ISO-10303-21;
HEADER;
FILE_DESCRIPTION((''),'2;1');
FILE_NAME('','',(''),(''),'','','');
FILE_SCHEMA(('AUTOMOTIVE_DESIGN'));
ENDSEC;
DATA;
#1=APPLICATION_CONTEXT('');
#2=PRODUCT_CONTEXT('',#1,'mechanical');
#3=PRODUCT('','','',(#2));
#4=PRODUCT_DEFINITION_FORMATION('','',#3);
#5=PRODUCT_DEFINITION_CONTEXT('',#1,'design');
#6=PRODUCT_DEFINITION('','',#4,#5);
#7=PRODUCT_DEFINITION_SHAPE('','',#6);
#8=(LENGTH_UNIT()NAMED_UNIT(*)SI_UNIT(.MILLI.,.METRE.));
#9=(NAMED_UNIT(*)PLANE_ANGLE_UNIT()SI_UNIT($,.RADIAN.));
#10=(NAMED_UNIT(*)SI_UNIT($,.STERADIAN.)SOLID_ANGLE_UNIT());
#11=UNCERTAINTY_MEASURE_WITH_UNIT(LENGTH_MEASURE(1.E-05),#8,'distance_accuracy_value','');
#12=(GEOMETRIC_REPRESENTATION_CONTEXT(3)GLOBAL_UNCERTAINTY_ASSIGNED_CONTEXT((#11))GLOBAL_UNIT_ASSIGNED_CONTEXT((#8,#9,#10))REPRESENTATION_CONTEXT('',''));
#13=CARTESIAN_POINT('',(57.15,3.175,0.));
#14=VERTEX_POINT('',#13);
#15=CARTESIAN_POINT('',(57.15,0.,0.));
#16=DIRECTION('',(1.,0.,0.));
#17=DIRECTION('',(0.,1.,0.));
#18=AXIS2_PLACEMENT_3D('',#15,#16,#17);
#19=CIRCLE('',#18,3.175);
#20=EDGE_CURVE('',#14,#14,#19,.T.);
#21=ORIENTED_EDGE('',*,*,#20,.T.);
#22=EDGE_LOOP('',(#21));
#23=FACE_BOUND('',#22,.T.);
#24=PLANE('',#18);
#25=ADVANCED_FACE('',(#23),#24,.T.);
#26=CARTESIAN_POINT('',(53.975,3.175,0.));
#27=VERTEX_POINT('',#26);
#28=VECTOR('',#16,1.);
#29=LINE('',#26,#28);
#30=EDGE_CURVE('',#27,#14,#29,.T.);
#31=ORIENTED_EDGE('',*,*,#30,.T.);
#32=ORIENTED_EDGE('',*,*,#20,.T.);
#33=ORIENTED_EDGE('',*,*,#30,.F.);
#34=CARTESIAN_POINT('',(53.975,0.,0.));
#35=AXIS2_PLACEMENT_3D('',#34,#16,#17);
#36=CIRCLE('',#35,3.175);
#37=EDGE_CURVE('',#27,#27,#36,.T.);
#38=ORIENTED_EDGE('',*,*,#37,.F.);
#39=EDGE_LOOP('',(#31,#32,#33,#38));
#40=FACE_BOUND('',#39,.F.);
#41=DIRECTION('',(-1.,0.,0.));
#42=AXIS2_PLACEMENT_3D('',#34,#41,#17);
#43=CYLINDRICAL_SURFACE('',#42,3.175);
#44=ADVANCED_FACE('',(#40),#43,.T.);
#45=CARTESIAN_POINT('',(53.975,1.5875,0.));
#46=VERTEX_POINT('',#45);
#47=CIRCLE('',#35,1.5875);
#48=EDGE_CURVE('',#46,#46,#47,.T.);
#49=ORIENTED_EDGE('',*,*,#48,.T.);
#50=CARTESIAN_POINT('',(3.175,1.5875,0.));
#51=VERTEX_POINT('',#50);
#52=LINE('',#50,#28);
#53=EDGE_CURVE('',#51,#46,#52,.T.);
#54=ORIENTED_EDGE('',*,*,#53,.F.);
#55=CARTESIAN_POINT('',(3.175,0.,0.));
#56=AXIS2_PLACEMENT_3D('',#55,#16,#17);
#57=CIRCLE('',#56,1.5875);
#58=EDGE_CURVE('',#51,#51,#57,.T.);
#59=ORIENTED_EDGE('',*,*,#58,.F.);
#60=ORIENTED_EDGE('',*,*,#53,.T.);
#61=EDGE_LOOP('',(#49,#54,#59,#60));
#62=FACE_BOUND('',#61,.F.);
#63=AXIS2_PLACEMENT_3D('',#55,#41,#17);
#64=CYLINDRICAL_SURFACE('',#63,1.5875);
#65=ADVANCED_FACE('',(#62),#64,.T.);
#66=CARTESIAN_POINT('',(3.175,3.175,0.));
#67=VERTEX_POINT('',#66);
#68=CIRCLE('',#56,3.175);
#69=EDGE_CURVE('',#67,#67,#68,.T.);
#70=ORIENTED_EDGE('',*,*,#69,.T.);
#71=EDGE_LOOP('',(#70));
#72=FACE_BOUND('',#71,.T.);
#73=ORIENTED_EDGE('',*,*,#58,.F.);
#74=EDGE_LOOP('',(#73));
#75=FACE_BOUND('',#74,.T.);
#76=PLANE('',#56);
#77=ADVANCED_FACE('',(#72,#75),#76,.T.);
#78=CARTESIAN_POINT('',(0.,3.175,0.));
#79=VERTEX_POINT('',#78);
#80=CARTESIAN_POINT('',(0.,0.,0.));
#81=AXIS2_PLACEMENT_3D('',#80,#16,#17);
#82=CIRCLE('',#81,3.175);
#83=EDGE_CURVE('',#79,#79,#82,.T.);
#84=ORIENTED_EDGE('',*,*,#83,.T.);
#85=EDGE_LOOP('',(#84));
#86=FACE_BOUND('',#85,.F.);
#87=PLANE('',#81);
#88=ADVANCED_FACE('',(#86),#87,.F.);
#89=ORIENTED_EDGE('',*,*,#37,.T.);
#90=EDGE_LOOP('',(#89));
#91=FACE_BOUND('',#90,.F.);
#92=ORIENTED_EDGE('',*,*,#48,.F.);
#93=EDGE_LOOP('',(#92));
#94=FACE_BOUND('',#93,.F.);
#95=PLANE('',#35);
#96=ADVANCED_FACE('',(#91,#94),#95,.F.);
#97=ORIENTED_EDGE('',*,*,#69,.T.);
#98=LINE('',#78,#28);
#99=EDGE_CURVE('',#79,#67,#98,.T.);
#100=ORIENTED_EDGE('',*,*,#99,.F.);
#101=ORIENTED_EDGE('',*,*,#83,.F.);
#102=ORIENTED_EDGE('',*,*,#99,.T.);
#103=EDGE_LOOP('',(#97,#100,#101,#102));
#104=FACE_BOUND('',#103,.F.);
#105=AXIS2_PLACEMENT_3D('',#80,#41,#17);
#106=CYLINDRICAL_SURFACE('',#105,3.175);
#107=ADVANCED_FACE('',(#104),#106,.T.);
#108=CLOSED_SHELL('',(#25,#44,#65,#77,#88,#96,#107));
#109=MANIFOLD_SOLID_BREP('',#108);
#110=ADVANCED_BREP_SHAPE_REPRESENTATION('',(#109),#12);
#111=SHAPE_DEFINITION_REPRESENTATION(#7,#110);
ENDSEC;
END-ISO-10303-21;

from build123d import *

# Parameters (mm, degrees)
F0_R     = 3.175
F1_DEPTH = 3.175
F2_R     = 1.5875
F3_DEPTH = 50.8
F4_R     = 3.175
F4_R_2   = 1.5875
F5_DEPTH = 3.175


with BuildPart() as f1:
    # F0 (on Right) → F1 (new body)
    with BuildSketch(Plane.YZ):
        Circle(F0_R)
    extrude(amount=F1_DEPTH)

    # F2 (on face) → F3 (join)
    with BuildSketch(Plane.YZ.offset(3.175)):
        Circle(F2_R)
    extrude(amount=F3_DEPTH)

    # F4 (on face) → F5 (join)
    with BuildSketch(Plane.YZ.offset(53.975)):
        Circle(F4_R)
        Circle(F4_R_2, mode=Mode.SUBTRACT)
        Circle(F4_R_2)
    extrude(amount=F5_DEPTH)


solid = f1.part
